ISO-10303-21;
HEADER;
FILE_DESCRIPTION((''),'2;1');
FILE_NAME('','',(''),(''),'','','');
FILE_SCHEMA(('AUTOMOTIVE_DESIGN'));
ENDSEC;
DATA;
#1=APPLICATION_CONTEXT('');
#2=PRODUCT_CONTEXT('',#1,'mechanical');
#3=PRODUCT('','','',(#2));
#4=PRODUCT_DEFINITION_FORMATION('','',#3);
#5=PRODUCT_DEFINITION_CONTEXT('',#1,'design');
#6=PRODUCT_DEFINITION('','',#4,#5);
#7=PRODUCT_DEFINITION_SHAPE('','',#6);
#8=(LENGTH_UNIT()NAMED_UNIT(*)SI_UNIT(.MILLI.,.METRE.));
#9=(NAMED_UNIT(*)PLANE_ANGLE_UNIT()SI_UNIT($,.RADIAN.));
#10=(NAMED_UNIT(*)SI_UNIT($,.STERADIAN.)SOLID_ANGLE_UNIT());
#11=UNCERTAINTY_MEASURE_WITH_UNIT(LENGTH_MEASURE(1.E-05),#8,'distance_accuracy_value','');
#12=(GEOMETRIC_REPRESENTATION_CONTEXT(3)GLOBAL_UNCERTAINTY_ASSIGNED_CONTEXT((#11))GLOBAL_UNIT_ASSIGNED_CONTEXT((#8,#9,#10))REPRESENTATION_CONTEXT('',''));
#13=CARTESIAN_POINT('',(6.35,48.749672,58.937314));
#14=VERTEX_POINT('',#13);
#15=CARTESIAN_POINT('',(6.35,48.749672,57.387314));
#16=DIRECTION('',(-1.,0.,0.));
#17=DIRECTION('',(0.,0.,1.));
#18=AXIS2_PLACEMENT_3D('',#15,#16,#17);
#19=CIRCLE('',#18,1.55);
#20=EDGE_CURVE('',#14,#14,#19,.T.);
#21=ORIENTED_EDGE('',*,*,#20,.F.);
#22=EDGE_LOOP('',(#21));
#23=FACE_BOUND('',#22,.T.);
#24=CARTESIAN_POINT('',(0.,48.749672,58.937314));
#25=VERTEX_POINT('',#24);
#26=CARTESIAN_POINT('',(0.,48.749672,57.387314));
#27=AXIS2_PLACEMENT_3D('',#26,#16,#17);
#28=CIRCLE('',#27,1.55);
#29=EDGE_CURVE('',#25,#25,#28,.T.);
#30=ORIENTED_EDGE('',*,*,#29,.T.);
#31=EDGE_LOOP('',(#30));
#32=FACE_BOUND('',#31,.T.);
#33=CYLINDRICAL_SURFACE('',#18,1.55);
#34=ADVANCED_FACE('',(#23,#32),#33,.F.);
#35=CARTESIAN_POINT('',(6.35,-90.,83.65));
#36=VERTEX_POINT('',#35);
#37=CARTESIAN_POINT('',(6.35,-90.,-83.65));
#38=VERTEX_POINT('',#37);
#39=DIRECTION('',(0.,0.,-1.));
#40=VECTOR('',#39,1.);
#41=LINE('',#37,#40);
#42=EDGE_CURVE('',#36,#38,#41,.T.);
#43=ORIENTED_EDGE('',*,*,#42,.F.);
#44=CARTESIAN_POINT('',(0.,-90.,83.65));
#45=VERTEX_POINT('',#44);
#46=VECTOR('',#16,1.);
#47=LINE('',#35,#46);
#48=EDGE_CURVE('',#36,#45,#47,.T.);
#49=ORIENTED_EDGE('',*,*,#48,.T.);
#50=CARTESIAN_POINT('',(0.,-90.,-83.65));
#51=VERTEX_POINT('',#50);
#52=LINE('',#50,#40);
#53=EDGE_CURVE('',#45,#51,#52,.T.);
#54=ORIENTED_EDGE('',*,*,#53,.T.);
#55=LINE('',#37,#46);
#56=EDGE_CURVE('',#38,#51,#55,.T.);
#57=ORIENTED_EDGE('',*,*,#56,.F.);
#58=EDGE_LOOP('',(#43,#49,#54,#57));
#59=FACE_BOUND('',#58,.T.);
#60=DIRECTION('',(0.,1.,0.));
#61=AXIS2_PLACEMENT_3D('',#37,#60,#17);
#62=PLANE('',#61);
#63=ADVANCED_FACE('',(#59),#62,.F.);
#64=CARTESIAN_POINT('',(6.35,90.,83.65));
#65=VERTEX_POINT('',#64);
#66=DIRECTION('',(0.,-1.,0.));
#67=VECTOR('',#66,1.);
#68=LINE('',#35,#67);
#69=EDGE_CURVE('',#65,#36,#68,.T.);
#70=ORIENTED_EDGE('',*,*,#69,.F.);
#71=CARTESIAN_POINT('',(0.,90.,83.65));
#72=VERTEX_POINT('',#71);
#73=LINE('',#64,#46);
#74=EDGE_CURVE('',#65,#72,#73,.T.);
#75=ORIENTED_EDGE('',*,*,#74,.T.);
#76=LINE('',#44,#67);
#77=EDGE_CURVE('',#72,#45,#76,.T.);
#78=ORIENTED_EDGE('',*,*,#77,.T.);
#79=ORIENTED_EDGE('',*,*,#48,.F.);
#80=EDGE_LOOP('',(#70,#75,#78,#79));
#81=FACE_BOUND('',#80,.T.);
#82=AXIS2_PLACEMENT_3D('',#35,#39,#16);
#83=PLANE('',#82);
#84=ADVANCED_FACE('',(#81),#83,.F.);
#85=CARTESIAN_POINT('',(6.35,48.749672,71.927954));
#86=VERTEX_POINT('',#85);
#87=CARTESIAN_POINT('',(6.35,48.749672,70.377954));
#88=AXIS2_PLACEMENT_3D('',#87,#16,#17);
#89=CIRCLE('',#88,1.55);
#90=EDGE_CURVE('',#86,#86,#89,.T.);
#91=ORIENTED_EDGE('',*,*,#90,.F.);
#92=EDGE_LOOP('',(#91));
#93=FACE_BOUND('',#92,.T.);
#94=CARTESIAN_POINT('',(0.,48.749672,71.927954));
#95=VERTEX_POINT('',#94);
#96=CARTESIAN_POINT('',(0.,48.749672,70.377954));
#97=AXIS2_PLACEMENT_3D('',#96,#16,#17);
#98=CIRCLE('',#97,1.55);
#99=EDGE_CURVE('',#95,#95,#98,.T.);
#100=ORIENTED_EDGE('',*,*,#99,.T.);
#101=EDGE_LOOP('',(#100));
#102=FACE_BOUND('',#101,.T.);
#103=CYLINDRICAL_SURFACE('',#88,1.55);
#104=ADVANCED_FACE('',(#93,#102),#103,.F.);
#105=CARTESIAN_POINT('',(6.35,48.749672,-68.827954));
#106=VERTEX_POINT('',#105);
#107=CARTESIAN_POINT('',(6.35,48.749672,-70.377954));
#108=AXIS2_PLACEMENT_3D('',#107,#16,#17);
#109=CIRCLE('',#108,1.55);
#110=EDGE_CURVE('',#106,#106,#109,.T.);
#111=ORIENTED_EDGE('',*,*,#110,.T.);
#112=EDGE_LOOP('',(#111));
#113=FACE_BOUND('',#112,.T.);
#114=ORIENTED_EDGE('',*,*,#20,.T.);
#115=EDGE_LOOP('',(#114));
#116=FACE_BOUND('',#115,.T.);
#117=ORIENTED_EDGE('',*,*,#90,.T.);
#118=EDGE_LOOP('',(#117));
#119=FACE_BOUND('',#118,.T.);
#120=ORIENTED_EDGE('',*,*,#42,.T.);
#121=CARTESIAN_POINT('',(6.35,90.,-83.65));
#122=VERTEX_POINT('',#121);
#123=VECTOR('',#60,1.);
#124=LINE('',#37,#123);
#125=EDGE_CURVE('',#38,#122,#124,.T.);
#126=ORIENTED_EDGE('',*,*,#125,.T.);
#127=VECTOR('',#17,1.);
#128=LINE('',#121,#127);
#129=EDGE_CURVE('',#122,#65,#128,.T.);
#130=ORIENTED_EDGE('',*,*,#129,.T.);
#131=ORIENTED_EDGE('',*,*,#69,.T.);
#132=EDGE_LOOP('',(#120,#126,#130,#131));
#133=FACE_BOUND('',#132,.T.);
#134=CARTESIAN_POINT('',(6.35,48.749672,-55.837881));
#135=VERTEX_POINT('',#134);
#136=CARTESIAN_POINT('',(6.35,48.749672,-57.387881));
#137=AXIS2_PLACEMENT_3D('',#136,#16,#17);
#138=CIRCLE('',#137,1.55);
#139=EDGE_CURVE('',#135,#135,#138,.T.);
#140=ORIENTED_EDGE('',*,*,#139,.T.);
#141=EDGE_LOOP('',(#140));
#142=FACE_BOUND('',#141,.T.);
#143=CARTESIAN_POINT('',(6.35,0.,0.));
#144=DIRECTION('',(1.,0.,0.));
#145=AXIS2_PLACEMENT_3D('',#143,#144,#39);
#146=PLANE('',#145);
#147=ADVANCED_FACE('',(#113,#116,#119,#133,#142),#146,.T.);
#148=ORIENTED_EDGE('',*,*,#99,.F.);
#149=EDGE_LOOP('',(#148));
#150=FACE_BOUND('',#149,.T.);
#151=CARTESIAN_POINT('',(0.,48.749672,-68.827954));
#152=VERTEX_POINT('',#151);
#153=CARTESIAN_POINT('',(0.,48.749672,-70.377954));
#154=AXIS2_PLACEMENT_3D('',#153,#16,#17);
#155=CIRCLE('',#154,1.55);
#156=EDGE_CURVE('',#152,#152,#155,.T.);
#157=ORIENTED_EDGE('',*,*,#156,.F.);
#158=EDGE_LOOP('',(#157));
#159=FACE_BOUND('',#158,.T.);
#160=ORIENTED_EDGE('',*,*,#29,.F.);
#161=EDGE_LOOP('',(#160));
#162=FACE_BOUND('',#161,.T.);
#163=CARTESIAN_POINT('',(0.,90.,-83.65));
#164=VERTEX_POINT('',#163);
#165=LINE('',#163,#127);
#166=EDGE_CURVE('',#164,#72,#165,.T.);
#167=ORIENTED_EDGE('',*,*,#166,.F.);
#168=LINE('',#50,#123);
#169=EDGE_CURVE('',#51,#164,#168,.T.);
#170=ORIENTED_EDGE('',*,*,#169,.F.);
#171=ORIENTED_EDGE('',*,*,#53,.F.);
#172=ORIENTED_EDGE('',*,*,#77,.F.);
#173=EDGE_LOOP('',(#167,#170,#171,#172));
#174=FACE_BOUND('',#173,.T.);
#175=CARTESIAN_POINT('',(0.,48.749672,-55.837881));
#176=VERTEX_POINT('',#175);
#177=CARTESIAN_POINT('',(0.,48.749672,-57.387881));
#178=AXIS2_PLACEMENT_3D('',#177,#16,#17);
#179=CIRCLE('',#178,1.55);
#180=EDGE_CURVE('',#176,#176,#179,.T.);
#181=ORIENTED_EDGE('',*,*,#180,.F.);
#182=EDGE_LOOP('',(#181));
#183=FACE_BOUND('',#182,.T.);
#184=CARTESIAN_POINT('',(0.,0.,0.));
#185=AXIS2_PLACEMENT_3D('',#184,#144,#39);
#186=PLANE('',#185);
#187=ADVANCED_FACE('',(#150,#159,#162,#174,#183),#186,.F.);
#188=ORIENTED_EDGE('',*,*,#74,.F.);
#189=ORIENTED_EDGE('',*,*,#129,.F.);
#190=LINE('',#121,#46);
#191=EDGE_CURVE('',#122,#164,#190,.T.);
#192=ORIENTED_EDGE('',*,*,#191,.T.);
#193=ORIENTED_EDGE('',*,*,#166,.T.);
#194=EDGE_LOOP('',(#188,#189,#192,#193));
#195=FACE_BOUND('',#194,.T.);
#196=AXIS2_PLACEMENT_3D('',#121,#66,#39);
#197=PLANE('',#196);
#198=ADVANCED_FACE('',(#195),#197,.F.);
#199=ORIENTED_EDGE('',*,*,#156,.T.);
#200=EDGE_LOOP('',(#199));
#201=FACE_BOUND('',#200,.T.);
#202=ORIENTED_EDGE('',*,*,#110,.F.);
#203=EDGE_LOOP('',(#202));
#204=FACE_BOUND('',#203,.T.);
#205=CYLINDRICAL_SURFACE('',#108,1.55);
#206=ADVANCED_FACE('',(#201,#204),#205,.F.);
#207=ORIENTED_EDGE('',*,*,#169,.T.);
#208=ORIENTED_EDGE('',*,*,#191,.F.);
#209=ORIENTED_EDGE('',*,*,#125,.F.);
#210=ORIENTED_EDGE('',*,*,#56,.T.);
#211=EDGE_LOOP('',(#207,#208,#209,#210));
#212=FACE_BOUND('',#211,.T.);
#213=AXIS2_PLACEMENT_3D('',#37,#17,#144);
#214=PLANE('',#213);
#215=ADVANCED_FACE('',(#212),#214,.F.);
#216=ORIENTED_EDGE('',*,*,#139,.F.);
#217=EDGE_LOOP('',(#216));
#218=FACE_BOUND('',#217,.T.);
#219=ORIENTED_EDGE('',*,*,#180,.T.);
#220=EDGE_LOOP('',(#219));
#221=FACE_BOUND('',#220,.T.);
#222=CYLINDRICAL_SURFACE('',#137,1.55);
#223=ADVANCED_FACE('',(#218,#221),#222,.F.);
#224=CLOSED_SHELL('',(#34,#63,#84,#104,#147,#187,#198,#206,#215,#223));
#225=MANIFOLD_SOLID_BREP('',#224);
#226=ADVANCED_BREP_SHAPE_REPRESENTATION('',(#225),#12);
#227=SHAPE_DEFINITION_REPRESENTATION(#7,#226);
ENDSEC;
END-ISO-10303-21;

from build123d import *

# Parameters (mm, degrees)
SKETCH1_W           = 167.3
SKETCH1_H           = 180
BOSS_EXTRUDE1_DEPTH = 6.35
SKETCH2_R           = 1.55
CUT_EXTRUDE1_DEPTH  = 124.035137258


with BuildPart() as part:
    # Sketch1 → Boss-Extrude1 (new body)
    with BuildSketch(Plane(origin=(0, 0, 0), x_dir=(0, 0, -1), z_dir=(1, 0, 0))):
        Rectangle(SKETCH1_W, SKETCH1_H)
    extrude(amount=BOSS_EXTRUDE1_DEPTH)

    # Sketch2 → Cut-Extrude1 (cut, through all)
    with BuildSketch(Plane.ZY):
        with Locations((57.387313546, 48.749672268)):
            Circle(SKETCH2_R)
        with Locations((70.377953582, 48.749672268)):
            Circle(SKETCH2_R)
        with Locations((-57.387880988, 48.749672268)):
            Circle(SKETCH2_R)
        with Locations((-70.377953582, 48.749672268)):
            Circle(SKETCH2_R)
    extrude(amount=-CUT_EXTRUDE1_DEPTH, mode=Mode.SUBTRACT)


solid = part.part
